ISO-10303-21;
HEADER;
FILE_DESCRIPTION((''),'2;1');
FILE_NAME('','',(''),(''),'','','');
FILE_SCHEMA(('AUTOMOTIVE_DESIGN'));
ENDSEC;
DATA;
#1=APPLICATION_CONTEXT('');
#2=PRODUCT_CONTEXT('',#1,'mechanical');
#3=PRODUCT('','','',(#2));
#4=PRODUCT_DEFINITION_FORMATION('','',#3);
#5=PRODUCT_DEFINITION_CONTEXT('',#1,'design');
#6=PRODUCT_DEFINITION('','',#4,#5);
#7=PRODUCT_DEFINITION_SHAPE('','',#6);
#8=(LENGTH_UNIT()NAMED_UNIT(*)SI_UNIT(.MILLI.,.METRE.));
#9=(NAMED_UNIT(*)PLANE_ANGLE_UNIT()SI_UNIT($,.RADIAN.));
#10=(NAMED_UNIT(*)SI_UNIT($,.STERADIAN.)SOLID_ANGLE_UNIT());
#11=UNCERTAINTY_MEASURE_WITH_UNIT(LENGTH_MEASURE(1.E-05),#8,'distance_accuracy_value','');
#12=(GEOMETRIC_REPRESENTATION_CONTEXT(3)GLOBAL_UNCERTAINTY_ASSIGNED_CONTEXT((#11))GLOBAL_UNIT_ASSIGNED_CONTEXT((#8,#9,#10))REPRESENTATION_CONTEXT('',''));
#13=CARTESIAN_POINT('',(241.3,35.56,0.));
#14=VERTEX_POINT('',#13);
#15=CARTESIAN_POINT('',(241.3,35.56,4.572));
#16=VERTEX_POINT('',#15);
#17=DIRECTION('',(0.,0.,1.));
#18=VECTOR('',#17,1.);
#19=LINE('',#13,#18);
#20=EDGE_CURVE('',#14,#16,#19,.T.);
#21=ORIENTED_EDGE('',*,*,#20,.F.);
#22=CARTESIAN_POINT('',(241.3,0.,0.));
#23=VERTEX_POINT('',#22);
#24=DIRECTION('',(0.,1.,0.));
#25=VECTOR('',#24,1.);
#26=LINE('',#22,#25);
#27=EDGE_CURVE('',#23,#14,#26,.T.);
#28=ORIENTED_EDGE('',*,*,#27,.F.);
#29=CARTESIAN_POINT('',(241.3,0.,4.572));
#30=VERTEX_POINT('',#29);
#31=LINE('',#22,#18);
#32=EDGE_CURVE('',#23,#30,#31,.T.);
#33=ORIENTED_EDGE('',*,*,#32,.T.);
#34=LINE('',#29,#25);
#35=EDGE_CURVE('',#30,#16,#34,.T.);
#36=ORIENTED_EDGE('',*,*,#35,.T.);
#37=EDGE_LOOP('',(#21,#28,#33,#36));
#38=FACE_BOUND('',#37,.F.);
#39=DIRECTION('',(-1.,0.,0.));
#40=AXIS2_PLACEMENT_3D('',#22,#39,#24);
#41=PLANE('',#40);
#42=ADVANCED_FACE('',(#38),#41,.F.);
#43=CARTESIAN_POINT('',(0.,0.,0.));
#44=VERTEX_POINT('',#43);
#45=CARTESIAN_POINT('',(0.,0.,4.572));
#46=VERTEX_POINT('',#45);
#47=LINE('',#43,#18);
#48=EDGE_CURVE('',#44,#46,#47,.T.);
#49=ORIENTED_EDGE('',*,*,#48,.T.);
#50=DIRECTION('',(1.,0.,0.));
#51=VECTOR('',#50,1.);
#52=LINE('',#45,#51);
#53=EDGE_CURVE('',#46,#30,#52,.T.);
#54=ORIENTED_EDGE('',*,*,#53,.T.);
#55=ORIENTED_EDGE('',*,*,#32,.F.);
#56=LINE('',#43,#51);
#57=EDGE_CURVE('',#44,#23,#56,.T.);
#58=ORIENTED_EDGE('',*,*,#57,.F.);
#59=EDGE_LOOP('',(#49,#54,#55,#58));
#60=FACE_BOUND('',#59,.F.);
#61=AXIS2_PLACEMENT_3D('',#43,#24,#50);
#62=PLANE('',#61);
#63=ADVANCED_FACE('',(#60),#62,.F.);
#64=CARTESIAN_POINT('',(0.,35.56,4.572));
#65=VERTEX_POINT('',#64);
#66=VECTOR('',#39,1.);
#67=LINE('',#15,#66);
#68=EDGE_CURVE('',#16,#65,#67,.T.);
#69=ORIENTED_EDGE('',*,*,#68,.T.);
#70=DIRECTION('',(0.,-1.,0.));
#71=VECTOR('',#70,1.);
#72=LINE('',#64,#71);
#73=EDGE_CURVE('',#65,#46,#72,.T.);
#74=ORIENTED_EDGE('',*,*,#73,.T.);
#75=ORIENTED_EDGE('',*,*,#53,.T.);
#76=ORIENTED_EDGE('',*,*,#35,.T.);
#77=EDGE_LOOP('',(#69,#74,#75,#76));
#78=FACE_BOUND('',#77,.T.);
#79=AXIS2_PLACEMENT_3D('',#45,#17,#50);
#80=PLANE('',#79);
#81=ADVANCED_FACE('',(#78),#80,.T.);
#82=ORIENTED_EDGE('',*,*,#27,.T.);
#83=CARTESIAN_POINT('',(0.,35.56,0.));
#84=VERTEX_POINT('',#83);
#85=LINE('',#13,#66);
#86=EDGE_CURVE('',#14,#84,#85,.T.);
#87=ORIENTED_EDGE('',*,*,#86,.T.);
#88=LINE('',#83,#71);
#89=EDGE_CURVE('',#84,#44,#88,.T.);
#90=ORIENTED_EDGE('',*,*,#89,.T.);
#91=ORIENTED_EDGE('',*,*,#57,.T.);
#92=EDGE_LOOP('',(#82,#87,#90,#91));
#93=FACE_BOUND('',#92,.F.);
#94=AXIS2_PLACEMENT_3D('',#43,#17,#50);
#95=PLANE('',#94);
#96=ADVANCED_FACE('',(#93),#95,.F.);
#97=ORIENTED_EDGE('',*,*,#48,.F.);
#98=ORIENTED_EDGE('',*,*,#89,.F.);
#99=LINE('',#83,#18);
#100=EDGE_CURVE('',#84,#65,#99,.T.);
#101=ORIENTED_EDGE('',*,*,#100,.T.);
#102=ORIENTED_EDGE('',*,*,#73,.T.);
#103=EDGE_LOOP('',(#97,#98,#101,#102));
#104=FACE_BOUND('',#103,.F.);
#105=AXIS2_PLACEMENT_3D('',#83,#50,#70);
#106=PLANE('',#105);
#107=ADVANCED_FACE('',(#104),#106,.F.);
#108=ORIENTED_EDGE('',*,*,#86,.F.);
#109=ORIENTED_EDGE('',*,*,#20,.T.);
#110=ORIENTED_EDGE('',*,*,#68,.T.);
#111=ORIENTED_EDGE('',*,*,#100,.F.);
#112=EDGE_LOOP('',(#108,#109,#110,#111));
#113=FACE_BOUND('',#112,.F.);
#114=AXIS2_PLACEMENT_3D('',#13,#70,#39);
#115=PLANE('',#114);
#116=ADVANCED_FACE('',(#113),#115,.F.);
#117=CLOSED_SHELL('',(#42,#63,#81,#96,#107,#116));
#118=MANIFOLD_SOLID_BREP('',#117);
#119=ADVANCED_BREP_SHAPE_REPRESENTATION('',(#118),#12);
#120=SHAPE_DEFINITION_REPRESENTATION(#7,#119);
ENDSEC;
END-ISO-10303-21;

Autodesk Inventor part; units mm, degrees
ref_plane "YZ Plane" through (0, 0, 0) normal (1, 0, 0) x (0, 1, 0)
ref_plane "XZ Plane" through (0, 0, 0) normal (0, 1, 0) x (-1, 0, 0)
ref_plane "XY Plane" through (0, 0, 0) normal (0, 0, 1) x (1, 0, 0)
sketch "Sketch1" plane through (0, 0, 0) normal (0, 0, 1) x (1, 0, 0)
  line L0 (0, 0) -> (241.3, 0)
  line L1 (241.3, 0) -> (241.3, 35.56)
  line L2 (241.3, 35.56) -> (0, 35.56)
  line L3 (0, 35.56) -> (0, 0)
  dimension "d0" = 241.3
  dimension "d1" = 35.56
extrude "Extrusion1" add sketch "Sketch1" along normal blind 4.572
properties part number "Elevatorcarv2bottom"
